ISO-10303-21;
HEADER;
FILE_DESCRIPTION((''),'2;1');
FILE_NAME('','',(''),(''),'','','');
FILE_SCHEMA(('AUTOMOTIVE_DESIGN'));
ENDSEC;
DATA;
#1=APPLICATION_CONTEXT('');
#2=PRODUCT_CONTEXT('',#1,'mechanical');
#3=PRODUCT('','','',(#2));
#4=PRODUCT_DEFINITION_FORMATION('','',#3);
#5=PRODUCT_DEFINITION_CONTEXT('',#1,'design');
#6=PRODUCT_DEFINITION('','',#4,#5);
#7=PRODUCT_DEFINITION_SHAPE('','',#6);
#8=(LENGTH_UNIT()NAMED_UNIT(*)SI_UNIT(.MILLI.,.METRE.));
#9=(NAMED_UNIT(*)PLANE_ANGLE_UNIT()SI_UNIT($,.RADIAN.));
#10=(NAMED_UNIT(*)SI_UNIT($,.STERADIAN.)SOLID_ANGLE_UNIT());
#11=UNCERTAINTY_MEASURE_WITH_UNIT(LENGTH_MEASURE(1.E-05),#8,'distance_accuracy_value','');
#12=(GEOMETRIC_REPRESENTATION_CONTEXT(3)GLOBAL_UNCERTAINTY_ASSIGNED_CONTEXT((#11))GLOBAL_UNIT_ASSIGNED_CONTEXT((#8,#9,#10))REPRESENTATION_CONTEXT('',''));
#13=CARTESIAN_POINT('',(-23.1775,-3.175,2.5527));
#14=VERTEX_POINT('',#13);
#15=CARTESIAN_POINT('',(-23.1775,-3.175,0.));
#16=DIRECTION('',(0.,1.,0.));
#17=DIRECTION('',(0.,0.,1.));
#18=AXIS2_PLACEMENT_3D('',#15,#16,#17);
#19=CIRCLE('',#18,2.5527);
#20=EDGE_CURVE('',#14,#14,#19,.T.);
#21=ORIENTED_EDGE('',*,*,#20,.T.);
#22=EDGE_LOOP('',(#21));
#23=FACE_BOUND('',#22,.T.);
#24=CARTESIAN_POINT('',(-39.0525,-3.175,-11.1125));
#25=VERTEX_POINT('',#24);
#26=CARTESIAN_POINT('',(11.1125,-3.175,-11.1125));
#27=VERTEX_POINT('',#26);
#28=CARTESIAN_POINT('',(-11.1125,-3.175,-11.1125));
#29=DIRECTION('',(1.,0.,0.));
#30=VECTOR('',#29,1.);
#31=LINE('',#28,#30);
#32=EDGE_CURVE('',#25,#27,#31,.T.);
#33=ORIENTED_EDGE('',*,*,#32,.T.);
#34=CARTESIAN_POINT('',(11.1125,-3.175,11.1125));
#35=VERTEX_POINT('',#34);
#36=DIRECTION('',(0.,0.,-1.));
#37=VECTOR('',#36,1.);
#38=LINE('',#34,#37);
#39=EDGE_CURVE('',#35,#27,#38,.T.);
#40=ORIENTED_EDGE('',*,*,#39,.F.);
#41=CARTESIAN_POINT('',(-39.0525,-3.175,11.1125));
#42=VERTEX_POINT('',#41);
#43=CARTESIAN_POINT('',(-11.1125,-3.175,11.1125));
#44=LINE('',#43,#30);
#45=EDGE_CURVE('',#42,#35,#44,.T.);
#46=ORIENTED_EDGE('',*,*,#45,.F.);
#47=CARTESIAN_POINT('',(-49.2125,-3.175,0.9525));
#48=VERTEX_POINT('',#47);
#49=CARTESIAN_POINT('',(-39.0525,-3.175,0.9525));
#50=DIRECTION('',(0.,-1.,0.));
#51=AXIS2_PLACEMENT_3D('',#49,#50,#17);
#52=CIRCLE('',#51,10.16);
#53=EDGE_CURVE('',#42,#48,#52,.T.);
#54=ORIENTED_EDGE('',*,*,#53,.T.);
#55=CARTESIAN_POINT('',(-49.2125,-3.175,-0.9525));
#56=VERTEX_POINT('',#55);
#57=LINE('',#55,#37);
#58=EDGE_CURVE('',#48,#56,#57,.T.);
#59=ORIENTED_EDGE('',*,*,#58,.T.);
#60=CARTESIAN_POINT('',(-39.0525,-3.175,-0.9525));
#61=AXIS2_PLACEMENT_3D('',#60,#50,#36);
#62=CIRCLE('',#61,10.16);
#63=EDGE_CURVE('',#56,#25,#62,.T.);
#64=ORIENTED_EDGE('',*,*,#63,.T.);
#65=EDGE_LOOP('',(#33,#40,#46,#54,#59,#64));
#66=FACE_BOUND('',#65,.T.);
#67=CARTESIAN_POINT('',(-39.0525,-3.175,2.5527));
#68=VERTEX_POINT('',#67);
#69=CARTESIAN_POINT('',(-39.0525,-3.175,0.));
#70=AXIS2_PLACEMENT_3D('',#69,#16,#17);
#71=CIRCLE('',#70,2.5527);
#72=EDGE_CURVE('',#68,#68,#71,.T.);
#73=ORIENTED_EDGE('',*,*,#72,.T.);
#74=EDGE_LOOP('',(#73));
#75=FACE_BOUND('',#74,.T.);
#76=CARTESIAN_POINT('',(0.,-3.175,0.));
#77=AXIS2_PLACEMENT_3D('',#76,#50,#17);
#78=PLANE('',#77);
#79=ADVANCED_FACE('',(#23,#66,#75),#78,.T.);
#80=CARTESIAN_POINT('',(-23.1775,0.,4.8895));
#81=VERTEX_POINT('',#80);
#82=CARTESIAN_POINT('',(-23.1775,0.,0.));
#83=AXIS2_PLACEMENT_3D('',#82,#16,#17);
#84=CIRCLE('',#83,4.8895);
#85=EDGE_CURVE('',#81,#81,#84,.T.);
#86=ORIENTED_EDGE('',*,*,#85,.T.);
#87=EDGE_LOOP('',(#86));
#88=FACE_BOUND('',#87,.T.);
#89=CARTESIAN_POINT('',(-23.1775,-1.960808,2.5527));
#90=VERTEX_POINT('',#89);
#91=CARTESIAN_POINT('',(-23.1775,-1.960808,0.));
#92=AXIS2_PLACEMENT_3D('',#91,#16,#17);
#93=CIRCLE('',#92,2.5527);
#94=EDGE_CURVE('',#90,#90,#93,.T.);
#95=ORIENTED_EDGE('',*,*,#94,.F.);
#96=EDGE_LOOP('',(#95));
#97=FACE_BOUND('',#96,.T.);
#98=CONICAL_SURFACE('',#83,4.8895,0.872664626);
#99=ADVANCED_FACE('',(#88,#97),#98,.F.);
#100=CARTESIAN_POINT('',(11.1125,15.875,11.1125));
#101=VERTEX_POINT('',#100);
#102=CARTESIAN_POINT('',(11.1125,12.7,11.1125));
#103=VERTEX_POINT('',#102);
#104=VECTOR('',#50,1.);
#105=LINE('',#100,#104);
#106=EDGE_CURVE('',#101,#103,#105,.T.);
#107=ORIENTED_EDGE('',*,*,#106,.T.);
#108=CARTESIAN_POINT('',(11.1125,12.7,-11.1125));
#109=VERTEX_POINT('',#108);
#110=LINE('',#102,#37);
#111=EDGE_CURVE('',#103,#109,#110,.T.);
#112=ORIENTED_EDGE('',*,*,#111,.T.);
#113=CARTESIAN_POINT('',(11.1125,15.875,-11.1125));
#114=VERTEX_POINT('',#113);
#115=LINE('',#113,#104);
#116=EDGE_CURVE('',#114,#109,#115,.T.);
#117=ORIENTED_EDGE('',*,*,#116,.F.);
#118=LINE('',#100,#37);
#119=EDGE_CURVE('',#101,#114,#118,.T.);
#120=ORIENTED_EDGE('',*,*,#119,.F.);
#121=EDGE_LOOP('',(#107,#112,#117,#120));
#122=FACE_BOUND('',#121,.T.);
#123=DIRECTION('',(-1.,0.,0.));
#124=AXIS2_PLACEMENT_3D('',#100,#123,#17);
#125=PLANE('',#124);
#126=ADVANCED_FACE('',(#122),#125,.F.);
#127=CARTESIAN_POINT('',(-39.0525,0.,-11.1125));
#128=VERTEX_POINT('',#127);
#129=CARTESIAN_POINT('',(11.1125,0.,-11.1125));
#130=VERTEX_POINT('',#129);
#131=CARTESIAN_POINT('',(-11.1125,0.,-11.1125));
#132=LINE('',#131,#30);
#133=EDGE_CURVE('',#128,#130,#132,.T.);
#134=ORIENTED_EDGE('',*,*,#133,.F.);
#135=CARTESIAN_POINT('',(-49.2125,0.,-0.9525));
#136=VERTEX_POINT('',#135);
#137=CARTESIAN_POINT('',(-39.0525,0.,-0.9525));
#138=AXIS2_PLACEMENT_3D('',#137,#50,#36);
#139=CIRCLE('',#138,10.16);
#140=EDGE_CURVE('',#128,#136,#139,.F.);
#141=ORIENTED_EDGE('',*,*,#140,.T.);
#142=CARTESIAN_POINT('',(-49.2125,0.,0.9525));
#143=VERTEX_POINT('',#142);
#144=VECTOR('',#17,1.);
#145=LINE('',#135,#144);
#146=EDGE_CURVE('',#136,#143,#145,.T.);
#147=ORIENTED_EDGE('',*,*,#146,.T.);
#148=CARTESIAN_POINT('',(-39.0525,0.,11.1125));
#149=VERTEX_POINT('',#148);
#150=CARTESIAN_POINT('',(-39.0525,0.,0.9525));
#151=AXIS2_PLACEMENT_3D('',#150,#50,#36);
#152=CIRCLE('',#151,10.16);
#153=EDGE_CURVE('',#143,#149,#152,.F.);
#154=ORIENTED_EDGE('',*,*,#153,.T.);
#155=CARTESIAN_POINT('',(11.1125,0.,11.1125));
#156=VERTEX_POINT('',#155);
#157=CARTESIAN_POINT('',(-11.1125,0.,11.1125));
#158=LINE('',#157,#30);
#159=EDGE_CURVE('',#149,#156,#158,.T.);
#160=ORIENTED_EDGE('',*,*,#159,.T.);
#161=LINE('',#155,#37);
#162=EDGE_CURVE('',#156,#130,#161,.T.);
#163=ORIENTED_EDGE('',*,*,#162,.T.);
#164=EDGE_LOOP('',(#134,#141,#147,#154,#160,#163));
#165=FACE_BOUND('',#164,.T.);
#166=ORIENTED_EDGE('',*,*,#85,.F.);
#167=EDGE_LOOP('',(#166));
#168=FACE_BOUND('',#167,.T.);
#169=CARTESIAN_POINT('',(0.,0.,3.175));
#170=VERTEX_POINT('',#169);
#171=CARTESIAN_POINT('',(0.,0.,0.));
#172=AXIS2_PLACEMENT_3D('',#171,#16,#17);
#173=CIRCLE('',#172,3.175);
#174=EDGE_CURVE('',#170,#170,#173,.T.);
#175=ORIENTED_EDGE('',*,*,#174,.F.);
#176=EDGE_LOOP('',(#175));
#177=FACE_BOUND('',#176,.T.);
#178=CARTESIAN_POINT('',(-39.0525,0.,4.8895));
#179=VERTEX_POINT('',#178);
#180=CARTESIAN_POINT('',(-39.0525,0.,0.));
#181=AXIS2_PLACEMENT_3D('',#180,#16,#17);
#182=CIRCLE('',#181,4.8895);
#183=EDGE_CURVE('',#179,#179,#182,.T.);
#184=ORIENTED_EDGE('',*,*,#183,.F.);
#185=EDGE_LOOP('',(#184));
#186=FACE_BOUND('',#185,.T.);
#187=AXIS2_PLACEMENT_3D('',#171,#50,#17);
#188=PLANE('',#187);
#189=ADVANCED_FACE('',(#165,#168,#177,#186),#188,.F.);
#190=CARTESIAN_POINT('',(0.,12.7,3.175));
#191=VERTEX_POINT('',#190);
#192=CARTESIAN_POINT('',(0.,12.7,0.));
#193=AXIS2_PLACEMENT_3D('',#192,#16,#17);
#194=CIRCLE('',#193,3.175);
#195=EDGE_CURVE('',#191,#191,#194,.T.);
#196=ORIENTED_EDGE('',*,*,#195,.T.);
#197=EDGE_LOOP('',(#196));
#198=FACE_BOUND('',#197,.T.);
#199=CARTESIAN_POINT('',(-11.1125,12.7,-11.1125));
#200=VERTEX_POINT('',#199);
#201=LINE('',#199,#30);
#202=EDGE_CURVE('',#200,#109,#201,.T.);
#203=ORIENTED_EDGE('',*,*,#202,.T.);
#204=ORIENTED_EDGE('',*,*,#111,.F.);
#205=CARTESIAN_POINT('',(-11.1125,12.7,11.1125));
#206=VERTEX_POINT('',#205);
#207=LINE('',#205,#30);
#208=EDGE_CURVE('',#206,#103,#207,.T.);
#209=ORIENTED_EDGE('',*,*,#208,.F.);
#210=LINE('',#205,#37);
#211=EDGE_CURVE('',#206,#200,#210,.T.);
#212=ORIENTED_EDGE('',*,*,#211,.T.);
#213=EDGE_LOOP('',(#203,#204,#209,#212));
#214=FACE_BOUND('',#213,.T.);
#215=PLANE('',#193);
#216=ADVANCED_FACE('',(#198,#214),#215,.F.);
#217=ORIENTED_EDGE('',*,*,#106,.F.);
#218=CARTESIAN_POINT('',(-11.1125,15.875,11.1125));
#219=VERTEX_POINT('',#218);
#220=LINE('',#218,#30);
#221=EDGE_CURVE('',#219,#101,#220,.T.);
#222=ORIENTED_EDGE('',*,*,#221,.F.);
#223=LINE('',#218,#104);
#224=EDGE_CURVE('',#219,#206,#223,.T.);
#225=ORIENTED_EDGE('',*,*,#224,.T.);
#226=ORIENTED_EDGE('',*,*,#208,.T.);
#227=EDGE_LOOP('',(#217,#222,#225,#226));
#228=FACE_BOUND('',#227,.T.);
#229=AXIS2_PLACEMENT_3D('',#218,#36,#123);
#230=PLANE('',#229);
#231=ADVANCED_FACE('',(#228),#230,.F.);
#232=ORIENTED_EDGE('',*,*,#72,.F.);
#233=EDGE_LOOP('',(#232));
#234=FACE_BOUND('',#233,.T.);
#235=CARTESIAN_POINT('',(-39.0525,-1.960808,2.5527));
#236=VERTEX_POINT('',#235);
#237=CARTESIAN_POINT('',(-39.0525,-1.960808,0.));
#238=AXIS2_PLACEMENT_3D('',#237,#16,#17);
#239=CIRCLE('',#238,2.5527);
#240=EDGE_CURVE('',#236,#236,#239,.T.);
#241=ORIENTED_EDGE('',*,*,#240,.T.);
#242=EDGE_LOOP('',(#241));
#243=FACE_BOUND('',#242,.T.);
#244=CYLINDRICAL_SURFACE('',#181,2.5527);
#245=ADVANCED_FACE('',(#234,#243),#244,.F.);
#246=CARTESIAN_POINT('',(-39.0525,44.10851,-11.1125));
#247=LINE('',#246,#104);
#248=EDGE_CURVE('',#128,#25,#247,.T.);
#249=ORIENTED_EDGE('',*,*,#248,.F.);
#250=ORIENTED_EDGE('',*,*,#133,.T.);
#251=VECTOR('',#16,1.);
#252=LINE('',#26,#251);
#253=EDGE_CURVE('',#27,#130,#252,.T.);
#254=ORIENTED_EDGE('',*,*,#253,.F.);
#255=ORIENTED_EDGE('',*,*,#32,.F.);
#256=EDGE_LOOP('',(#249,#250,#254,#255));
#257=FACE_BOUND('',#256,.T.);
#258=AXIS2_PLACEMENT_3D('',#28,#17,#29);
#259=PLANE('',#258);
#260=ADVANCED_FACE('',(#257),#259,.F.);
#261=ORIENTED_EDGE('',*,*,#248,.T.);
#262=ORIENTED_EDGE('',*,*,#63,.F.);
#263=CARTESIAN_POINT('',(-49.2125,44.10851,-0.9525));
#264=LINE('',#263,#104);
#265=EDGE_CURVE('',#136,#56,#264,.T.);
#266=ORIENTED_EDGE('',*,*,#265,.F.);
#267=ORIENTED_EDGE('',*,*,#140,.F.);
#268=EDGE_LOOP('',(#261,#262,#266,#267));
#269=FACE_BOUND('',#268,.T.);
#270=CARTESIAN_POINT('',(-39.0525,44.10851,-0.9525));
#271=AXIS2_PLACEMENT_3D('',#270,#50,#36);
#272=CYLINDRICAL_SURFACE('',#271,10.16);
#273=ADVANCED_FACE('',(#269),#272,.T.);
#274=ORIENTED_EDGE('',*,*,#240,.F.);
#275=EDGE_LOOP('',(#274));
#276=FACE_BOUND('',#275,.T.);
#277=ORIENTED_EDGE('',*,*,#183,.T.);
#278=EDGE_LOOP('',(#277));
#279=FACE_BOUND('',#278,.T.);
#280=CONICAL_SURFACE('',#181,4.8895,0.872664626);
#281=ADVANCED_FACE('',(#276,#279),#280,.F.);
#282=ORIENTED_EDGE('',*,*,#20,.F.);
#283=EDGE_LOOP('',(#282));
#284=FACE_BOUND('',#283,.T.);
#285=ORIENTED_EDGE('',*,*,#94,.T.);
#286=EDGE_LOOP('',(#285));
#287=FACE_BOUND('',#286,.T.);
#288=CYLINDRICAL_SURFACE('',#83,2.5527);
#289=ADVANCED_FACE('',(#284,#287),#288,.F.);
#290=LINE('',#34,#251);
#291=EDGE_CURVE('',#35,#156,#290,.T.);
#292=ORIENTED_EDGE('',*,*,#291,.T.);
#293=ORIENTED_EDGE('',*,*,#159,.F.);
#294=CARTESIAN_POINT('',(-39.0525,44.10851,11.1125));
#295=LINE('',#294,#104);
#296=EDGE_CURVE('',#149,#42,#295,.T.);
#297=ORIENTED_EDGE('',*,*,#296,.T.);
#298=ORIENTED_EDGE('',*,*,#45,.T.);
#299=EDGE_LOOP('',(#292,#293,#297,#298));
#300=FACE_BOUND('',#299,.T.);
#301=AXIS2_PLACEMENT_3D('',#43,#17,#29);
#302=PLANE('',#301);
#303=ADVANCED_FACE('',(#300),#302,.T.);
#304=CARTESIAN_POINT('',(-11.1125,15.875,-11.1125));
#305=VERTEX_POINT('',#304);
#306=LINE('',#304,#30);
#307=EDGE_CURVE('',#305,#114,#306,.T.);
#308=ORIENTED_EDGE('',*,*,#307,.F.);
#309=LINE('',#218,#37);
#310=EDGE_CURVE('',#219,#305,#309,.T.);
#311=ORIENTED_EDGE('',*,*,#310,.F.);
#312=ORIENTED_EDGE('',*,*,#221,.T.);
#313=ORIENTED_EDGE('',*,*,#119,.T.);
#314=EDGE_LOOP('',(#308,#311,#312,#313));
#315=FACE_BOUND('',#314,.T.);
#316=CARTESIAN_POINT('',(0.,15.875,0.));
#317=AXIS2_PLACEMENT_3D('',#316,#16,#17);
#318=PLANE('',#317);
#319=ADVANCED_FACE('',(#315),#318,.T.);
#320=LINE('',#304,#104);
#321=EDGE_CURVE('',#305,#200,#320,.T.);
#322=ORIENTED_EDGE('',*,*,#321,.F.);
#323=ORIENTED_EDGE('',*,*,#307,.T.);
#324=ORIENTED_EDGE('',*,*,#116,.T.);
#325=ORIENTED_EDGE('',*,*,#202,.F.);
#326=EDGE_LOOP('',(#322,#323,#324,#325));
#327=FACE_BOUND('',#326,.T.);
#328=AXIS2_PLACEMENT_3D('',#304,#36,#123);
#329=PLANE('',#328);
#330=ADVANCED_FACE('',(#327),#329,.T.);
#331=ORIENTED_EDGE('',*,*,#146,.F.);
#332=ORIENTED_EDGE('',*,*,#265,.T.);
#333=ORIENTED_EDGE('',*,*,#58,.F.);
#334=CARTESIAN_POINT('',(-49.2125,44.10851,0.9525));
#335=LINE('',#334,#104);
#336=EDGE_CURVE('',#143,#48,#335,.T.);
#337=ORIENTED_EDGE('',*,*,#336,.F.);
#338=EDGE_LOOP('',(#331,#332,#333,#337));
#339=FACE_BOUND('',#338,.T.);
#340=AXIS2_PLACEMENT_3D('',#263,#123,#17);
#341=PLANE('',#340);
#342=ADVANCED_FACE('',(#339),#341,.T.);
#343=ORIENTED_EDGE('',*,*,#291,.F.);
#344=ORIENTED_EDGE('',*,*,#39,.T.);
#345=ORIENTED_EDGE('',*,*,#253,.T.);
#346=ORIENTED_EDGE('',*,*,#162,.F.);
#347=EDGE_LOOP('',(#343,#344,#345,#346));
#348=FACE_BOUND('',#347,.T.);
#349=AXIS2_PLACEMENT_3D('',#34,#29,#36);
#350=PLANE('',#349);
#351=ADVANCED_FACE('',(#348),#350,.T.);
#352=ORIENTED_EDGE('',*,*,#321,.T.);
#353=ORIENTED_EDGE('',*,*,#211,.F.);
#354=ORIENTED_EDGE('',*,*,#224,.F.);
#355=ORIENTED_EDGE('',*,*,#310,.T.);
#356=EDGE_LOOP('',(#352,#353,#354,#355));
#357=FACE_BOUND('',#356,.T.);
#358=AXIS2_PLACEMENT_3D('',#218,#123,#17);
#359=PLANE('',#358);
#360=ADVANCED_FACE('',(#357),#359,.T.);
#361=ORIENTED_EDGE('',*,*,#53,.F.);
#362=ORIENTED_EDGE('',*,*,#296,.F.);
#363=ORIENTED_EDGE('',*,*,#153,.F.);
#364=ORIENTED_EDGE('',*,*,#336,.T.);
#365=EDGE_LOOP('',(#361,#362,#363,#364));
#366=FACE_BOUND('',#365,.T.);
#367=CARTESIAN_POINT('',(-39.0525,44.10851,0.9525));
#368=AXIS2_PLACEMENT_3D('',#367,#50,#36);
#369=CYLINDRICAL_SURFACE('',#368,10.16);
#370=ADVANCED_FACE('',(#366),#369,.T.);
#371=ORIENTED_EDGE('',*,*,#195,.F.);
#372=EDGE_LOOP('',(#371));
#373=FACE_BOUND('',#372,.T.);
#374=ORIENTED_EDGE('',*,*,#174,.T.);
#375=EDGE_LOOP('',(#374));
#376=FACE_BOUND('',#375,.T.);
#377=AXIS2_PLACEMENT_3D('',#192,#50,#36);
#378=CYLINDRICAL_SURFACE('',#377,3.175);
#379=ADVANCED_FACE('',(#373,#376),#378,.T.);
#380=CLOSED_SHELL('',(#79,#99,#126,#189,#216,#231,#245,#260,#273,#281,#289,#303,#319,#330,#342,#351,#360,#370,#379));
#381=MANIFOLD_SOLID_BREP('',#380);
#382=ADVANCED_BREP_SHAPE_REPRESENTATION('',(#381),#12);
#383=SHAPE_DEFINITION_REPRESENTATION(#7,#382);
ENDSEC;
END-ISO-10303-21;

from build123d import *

# Parameters (mm, degrees)
SKETCH1_R                                  = 3.175
BOSS_EXTRUDE1_DEPTH                        = 12.7
SKETCH2_W                                  = 22.225
SKETCH2_H                                  = 22.225
BOSS_EXTRUDE2_DEPTH                        = 3.175
BOSS_EXTRUDE3_DEPTH                        = 3.175
CSK_FOR_10_FLAT_HEAD_MACHINE_SCREW_2_COUNT = 2
CSK_FOR_10_FLAT_HEAD_MACHINE_SCREW_2_PITCH = 15.875


with BuildPart() as part:
    # Sketch1 → Boss-Extrude1 (new body)
    with BuildSketch(Plane(origin=(0, 0, 0), x_dir=(1, 0, 0), z_dir=(0, 1, 0))):
        Circle(SKETCH1_R)
    extrude(amount=BOSS_EXTRUDE1_DEPTH)

    # Sketch2 → Boss-Extrude2 (add)
    with BuildSketch(Plane(origin=(0, 12.7, 0), x_dir=(1, 0, 0), z_dir=(0, 1, 0))):
        Rectangle(SKETCH2_W, SKETCH2_H)
    boss_extrude2 = extrude(amount=BOSS_EXTRUDE2_DEPTH)

    # Mirror1: Boss-Extrude2 across plane
    add(boss_extrude2.mirror(Plane(origin=(0, 6.35, 0), x_dir=(0, 0, 1), z_dir=(0, -1, 0))))

    # Sketch3 → Boss-Extrude3 (add)
    with BuildSketch(Plane.XZ.offset(3.175)):
        with BuildLine():
            Line((-11.1125, -11.1125), (-39.0525, -11.1125))
            ThreePointArc((-39.0525, -11.1125), (-46.236704897, -8.136704897), (-49.2125, -0.9525))
            Line((-49.2125, -0.9525), (-49.2125, 0.9525))
            ThreePointArc((-49.2125, 0.9525), (-46.236704897, 8.136704897), (-39.0525, 11.1125))
            Line((-39.0525, 11.1125), (-11.1125, 11.1125))
            Line((-11.1125, 11.1125), (-11.1125, -11.1125))
        make_face()
    extrude(amount=-BOSS_EXTRUDE3_DEPTH)

    # Sketch6 → CSK for #10 Flat Head Machine Screw (100)1 (revolve, cut)
    with BuildSketch(Plane(origin=(-39.0525, 0, 0), x_dir=(0, 0, 1), z_dir=(1, 0, 0))):
        Polygon((0, 0), (0, 3.175), (2.5527, 3.175), (2.5527, 1.960808018), (4.8895, 0), align=None)
    csk_for_10_flat_head_machine_screw_100 = revolve(axis=Axis((-39.0525, 6.35, 0), (0, -1, 0)), mode=Mode.SUBTRACT)

    # CSK for _10 Flat Head Machine Screw  2: CSK for #10 Flat Head Machine Screw (100)1 ×2
    with Locations(*[(i * CSK_FOR_10_FLAT_HEAD_MACHINE_SCREW_2_PITCH, 0, 0) for i in range(1, CSK_FOR_10_FLAT_HEAD_MACHINE_SCREW_2_COUNT)]):
        add(csk_for_10_flat_head_machine_screw_100, mode=Mode.SUBTRACT)


solid = part.part
